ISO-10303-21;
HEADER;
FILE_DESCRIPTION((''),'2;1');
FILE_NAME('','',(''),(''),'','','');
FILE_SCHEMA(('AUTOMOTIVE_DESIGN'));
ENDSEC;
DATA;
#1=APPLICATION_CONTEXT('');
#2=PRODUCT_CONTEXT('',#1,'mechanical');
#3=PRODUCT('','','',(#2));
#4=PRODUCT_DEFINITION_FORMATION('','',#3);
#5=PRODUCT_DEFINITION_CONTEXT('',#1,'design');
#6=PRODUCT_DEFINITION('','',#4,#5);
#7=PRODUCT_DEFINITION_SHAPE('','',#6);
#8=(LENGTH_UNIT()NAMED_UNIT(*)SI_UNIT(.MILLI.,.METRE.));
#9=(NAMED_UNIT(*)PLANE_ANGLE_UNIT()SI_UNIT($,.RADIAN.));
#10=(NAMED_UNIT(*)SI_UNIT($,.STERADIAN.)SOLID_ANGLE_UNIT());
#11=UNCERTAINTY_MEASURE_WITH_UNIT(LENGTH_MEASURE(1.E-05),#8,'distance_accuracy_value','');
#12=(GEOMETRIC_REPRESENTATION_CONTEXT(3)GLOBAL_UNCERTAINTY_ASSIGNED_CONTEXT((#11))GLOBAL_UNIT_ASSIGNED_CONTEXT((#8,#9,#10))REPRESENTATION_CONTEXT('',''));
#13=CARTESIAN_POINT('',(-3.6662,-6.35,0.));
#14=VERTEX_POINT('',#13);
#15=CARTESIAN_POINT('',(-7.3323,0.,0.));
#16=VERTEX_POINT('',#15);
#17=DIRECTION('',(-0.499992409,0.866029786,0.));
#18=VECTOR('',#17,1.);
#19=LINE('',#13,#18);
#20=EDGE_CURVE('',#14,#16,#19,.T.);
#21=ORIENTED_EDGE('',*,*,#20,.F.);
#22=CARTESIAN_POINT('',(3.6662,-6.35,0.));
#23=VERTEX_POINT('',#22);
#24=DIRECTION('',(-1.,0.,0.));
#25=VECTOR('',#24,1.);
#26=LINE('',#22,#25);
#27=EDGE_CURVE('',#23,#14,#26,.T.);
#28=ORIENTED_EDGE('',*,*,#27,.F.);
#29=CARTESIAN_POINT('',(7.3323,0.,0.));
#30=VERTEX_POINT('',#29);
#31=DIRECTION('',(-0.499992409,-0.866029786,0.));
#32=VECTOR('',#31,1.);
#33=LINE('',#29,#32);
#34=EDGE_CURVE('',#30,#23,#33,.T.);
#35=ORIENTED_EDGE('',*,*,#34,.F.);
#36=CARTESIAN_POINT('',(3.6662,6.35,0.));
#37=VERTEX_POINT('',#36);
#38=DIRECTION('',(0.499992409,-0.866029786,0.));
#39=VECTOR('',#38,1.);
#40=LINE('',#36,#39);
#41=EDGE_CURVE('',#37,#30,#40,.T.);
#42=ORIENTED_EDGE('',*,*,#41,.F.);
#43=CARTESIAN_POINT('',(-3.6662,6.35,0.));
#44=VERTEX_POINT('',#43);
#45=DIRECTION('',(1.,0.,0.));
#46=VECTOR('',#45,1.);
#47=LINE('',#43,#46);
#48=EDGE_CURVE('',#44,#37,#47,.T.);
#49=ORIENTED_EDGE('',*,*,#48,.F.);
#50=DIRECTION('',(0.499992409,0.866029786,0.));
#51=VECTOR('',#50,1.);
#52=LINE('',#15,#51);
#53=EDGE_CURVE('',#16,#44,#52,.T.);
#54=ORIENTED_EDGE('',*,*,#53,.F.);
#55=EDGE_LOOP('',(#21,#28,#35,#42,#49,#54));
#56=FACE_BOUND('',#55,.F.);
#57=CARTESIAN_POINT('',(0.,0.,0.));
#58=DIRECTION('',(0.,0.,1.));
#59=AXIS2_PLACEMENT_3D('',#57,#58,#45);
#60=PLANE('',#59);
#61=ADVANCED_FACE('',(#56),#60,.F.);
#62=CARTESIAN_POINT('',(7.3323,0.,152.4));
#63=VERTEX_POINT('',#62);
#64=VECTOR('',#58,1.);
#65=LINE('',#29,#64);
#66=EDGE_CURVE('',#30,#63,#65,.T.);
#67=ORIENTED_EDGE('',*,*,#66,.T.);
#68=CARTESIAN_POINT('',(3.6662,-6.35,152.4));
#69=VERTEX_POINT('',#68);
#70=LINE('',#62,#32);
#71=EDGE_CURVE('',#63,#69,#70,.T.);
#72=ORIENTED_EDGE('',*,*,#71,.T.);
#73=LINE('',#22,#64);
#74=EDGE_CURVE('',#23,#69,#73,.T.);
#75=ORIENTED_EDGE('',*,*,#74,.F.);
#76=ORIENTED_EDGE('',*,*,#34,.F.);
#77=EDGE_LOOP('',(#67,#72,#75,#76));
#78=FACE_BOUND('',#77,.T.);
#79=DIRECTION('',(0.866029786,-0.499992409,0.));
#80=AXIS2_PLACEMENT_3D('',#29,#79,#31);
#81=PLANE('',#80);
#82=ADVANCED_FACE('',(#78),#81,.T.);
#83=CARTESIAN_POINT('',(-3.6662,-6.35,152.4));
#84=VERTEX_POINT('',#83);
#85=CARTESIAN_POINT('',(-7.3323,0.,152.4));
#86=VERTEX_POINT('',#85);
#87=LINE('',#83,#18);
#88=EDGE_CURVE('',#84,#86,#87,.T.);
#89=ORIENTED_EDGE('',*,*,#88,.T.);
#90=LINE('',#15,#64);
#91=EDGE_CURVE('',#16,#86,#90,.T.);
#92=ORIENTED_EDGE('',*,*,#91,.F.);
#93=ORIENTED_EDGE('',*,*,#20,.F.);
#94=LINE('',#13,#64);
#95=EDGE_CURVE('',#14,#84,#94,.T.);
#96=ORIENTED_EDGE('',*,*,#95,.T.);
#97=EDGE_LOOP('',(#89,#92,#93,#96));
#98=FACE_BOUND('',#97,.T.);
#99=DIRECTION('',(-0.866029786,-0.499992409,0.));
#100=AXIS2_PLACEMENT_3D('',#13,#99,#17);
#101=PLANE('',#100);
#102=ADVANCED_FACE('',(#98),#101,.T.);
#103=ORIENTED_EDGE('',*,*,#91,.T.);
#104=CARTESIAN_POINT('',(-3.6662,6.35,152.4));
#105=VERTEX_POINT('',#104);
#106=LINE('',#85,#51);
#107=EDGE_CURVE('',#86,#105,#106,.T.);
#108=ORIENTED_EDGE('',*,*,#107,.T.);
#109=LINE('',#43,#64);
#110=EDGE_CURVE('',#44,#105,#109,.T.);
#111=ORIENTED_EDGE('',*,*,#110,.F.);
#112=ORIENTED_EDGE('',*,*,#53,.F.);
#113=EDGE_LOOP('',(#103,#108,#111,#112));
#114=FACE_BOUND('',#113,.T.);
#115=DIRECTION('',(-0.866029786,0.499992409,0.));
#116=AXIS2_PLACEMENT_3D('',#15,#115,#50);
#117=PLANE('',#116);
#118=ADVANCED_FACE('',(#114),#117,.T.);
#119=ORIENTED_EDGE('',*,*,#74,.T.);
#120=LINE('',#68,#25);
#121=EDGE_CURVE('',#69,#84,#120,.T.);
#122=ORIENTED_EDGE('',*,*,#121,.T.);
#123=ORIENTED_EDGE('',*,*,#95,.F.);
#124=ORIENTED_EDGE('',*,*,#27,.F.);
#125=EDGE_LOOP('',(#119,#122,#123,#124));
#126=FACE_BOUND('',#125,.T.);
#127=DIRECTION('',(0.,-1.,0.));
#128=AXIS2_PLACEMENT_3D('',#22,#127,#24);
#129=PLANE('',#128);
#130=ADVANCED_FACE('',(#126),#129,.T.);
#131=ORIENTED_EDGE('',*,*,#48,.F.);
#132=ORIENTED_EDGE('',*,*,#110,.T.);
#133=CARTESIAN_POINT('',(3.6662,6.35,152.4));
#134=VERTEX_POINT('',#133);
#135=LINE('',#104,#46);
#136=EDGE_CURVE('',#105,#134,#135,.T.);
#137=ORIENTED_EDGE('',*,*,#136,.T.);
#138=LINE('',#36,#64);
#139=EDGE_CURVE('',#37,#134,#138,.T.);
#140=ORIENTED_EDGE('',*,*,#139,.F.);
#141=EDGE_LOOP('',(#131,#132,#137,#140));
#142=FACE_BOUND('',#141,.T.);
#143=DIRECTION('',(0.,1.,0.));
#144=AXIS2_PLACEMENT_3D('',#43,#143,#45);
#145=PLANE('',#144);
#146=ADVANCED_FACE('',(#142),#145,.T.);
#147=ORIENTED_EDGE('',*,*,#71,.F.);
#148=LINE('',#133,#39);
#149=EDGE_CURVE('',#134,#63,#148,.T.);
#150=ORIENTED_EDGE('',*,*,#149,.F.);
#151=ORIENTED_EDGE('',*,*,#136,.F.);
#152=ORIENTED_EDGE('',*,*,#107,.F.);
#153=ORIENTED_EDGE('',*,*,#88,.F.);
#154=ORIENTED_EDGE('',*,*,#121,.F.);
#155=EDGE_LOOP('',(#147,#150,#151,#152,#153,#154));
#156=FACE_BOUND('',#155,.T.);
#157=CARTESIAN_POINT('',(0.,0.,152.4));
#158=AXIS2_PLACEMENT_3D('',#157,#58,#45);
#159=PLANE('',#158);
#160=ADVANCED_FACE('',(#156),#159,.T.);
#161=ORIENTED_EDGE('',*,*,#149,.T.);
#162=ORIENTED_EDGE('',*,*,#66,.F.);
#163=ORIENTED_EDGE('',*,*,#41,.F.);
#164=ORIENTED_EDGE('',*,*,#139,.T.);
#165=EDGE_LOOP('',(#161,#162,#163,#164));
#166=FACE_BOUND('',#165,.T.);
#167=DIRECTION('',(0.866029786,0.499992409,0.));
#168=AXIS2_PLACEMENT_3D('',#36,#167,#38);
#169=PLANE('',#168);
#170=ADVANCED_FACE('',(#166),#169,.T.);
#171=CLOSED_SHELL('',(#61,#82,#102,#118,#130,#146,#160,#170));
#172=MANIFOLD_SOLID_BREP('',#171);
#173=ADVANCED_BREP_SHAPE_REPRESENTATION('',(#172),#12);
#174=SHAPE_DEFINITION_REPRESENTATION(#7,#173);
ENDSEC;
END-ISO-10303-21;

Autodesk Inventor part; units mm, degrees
ref_plane "YZ Plane" through (0, 0, 0) normal (1, 0, 0) x (0, 1, 0)
ref_plane "XZ Plane" through (0, 0, 0) normal (0, 1, 0) x (-1, 0, 0)
ref_plane "XY Plane" through (0, 0, 0) normal (0, 0, 1) x (1, 0, 0)
sketch "Sketch1" plane through (0, 0, 0) normal (0, 0, 1) x (1, 0, 0)
  line L0 (3.6662, 6.35) -> (7.3323, 0)
  line L1 (7.3323, 0) -> (3.6662, -6.35)
  line L2 (3.6662, -6.35) -> (-3.6662, -6.35)
  line L3 (-3.6662, -6.35) -> (-7.3323, 0)
  line L4 (-7.3323, 0) -> (-3.6662, 6.35)
  line L5 (-3.6662, 6.35) -> (3.6662, 6.35)
  point P0 (0, 0)
  point P1 (0, 0)
  dimension "d0" = 12.7
extrude "Extrusion1" add sketch "Sketch1" along normal blind 152.4
properties part number "hex rod 6 inch" material "Steel, Alloy"
